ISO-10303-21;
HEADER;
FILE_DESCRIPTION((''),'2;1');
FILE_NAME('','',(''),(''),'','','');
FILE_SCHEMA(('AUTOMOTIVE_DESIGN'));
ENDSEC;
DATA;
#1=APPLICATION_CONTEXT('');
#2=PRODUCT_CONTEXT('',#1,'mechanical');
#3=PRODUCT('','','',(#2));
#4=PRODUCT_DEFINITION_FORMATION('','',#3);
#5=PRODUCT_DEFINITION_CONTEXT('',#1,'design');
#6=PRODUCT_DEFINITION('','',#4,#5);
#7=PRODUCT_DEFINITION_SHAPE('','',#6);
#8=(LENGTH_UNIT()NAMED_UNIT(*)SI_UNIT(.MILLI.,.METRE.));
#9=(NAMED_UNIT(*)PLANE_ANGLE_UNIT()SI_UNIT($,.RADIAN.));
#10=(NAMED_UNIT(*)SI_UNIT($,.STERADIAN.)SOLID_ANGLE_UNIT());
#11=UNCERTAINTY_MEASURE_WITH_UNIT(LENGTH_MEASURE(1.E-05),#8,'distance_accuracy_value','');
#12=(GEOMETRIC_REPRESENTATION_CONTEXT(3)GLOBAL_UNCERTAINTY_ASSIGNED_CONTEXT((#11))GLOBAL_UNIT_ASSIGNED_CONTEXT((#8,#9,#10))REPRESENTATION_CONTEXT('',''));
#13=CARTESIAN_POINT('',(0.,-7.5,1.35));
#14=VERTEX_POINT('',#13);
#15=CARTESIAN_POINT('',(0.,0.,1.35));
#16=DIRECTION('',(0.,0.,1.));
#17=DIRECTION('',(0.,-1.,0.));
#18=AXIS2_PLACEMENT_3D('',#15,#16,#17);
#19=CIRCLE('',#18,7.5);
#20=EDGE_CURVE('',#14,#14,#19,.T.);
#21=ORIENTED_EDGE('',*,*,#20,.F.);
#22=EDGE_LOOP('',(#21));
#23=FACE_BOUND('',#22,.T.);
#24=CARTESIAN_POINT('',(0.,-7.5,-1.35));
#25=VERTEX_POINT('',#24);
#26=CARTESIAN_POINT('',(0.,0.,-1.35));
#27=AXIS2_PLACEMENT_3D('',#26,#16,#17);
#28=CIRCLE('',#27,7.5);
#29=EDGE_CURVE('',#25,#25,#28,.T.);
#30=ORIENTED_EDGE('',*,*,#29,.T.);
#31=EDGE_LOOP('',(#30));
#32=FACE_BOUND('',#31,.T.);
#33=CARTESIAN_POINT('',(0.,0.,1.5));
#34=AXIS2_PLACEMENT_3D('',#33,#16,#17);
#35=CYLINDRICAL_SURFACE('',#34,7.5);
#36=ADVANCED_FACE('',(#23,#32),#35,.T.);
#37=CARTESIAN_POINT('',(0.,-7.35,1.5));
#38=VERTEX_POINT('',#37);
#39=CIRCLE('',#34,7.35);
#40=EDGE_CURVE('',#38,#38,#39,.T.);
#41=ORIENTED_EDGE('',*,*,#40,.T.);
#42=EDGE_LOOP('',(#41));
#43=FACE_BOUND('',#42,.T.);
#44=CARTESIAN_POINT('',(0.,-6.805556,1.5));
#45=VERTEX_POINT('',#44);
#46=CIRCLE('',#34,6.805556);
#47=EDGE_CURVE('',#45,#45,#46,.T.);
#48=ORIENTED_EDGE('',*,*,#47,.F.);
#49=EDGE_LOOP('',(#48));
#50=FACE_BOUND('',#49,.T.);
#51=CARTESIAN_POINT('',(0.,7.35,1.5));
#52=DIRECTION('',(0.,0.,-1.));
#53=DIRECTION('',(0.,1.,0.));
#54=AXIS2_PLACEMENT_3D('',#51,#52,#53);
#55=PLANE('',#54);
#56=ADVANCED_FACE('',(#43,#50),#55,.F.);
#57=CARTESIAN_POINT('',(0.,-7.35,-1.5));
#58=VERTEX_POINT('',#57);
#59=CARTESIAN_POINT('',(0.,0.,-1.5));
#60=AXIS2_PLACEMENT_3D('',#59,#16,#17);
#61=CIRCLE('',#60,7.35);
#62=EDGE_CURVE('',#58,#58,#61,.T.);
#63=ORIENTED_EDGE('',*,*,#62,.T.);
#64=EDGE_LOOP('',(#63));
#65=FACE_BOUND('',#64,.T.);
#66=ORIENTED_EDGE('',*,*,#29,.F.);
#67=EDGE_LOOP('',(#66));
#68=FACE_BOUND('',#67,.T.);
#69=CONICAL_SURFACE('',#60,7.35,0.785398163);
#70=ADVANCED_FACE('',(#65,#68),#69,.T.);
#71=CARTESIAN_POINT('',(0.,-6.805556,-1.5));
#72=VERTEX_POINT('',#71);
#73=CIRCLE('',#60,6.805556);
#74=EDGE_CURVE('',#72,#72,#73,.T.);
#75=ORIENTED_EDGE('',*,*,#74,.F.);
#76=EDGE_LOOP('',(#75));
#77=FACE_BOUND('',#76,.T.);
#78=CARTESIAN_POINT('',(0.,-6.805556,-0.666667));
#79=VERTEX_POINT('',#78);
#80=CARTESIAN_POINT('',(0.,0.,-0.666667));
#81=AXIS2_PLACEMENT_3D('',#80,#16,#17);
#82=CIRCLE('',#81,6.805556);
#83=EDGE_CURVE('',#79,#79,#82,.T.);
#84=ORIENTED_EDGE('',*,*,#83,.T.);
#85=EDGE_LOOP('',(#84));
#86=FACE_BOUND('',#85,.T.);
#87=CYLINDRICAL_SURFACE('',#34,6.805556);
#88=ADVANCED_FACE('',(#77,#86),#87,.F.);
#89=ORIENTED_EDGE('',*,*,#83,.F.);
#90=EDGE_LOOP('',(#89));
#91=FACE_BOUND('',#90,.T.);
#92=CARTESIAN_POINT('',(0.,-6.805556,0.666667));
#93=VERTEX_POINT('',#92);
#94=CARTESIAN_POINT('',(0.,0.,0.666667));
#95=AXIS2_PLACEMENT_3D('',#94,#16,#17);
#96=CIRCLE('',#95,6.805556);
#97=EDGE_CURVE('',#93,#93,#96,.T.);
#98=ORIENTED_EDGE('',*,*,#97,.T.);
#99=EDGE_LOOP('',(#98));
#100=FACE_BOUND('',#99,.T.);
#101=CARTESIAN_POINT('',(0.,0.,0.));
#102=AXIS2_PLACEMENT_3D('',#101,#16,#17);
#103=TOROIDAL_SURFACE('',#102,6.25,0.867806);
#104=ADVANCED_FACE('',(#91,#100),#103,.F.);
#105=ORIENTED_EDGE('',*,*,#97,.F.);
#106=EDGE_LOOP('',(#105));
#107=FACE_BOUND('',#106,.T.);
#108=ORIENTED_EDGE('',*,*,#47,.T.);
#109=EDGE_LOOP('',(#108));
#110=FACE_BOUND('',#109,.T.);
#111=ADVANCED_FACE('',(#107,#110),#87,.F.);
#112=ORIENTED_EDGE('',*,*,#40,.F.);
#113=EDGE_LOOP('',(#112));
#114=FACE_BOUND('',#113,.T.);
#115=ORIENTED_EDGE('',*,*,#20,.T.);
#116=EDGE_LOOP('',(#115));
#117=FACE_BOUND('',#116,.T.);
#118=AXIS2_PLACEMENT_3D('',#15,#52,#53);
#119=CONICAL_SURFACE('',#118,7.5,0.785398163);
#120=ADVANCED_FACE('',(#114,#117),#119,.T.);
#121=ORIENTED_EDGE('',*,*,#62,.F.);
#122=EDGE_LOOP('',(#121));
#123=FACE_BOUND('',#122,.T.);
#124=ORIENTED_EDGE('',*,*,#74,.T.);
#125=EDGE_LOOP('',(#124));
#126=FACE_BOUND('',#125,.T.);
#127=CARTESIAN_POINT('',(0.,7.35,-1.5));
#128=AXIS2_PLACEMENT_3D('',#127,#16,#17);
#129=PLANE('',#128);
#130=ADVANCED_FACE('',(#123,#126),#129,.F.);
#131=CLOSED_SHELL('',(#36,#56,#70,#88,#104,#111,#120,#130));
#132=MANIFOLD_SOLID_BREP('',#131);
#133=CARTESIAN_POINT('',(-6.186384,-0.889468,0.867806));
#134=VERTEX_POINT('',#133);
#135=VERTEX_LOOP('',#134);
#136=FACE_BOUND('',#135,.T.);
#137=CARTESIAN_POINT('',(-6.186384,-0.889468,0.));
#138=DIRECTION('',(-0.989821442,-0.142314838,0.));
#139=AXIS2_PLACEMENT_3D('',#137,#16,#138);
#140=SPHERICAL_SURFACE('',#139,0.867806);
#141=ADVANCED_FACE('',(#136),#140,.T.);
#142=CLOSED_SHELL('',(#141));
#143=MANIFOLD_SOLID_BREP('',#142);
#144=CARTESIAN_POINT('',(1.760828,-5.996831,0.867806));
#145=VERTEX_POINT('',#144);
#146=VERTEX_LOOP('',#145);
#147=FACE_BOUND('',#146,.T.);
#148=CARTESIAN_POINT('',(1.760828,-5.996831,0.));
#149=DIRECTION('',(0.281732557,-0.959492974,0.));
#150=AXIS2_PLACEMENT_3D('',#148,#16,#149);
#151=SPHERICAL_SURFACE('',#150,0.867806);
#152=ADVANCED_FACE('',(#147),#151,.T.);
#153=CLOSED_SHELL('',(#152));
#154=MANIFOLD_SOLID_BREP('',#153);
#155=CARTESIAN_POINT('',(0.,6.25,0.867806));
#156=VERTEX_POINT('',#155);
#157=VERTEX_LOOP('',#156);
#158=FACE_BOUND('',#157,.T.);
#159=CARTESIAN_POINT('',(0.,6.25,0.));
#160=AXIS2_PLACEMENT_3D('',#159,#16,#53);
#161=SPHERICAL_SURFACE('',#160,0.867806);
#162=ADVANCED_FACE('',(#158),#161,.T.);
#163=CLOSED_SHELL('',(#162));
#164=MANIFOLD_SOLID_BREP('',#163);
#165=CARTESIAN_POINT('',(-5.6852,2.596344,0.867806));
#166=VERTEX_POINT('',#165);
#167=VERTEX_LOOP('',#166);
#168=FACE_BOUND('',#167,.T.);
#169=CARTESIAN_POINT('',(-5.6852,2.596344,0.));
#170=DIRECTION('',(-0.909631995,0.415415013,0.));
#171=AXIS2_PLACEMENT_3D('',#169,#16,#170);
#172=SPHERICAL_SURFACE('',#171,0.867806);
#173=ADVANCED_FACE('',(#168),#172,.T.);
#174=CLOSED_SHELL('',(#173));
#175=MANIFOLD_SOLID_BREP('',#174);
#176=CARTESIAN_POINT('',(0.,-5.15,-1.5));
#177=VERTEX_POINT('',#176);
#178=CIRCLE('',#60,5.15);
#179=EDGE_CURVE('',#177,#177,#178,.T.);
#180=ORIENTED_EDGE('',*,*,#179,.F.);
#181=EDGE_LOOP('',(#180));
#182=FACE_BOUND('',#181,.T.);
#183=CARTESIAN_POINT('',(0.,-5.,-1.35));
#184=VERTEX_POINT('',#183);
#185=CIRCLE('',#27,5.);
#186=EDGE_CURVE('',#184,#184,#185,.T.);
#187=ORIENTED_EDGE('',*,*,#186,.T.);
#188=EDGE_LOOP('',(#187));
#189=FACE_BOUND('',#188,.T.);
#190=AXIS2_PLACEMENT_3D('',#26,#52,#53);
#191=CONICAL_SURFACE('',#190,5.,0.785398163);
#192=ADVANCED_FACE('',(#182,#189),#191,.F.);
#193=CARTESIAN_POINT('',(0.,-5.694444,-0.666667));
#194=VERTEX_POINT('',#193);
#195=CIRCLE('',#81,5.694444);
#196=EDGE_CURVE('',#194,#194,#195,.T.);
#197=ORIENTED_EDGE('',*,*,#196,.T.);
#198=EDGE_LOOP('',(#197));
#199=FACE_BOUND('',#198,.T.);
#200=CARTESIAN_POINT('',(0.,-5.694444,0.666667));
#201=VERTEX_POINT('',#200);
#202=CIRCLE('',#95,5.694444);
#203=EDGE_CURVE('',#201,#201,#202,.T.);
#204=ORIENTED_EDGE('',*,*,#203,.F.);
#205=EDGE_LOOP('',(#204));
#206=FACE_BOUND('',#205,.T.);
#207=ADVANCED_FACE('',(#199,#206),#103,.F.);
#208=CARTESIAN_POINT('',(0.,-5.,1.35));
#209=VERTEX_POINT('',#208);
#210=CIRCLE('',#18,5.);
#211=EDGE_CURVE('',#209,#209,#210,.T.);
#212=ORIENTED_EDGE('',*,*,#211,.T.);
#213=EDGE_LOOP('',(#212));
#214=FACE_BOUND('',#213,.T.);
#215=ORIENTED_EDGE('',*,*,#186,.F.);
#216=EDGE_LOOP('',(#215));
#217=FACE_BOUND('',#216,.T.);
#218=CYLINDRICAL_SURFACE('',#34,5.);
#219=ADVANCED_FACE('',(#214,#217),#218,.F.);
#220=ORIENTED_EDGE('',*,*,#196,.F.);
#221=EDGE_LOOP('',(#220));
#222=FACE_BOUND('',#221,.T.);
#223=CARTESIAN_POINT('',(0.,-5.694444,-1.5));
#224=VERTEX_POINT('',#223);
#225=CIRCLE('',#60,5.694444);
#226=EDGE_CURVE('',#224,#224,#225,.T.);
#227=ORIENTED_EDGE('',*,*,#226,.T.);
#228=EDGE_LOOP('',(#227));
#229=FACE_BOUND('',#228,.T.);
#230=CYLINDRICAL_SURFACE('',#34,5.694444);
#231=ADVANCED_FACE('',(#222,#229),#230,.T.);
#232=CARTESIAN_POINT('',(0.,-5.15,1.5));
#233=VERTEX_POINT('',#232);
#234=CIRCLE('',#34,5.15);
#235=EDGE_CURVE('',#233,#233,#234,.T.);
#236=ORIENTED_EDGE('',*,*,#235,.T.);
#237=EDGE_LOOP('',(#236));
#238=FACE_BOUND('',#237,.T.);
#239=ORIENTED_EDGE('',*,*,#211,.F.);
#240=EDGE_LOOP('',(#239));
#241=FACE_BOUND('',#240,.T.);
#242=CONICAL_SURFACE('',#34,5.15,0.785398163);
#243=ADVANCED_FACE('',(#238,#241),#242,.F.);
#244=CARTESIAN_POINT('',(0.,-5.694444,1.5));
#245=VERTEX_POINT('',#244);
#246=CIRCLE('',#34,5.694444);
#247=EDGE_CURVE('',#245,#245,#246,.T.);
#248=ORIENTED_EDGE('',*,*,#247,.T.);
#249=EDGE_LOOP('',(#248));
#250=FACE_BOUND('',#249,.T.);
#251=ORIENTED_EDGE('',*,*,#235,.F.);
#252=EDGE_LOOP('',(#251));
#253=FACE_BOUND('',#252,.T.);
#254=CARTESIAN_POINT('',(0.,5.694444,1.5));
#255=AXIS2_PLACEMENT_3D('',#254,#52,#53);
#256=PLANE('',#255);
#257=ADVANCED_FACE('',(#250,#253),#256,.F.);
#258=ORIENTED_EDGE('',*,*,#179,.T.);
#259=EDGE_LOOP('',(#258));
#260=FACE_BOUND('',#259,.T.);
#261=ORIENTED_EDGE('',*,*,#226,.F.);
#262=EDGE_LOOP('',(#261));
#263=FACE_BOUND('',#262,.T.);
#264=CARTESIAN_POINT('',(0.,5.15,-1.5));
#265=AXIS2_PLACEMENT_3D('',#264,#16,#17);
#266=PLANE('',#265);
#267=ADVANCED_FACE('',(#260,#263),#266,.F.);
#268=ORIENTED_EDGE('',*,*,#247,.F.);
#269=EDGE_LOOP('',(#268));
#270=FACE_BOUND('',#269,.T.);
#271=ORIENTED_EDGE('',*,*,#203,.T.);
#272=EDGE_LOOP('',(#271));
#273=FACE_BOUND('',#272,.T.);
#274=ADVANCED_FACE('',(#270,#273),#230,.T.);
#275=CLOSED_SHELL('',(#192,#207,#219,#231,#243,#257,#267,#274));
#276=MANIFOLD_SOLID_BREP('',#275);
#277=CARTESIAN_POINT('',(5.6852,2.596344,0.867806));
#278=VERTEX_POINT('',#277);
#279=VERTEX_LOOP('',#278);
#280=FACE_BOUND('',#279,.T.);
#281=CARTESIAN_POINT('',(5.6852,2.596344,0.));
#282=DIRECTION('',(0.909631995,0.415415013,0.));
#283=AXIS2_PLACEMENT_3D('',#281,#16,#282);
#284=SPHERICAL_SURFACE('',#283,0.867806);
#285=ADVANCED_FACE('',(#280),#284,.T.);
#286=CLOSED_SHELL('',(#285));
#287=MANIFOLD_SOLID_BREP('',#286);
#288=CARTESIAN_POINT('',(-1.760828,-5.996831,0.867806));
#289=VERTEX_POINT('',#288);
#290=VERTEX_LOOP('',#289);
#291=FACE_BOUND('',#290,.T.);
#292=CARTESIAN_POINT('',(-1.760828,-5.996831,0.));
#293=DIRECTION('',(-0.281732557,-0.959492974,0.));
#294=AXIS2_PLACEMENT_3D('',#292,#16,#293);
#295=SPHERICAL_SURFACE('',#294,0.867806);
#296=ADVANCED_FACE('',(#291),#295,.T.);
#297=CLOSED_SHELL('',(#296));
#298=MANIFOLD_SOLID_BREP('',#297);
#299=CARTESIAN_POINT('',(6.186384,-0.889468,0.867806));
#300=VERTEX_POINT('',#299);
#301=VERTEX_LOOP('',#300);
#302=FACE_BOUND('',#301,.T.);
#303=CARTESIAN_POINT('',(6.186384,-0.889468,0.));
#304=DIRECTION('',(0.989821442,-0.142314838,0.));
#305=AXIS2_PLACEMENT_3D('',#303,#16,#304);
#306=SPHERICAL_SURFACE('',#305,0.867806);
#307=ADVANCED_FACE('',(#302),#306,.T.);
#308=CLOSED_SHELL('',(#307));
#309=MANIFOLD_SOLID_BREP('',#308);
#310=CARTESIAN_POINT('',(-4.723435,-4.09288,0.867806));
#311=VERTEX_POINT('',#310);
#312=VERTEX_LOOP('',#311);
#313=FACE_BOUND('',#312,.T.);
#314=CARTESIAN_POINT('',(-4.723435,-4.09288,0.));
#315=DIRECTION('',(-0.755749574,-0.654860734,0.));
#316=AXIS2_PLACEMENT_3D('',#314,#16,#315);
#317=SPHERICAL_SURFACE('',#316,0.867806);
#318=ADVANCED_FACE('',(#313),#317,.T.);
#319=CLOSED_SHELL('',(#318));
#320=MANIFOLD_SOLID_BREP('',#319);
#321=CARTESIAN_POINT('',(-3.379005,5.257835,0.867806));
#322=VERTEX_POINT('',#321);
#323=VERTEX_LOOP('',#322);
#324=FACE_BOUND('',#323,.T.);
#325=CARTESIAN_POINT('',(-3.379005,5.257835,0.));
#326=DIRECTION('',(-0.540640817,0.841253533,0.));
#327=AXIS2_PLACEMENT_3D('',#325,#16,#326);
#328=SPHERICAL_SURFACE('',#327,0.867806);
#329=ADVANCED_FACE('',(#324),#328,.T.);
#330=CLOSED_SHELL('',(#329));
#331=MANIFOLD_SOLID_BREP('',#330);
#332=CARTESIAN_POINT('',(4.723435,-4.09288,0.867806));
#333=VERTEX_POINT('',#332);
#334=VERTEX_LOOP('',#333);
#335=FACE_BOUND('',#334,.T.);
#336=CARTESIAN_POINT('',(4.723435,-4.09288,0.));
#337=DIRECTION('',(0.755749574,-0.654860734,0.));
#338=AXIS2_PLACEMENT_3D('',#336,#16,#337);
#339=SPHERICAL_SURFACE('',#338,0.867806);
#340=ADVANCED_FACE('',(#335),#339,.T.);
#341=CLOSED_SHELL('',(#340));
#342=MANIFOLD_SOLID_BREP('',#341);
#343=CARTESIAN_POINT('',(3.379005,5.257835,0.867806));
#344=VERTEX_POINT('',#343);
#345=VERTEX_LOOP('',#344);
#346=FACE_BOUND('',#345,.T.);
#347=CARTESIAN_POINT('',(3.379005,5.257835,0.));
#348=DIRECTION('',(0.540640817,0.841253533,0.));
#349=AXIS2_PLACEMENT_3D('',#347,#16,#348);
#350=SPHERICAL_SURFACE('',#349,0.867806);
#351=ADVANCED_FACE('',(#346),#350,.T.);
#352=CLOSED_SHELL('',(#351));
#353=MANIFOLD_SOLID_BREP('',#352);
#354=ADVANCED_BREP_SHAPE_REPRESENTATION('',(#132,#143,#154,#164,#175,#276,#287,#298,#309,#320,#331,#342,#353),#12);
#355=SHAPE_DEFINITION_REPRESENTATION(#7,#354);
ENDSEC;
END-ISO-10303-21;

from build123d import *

# Parameters (mm, degrees)
CIRPATTERN1_COUNT = 11


with BuildPart() as part:
    # Sketch6 → Revolve5 (revolve)
    with BuildSketch(Plane(origin=(0, 0, 0), x_dir=(0, 0, -1), z_dir=(1, 0, 0)), mode=Mode.PRIVATE) as revolve5_sk:
        with BuildLine():
            Line((1.35, 7.5), (1.5, 7.35))
            Line((1.5, 7.35), (1.5, 6.805555556))
            Line((1.5, 6.805555556), (0.666666667, 6.805555556))
            ThreePointArc((0.666666667, 6.805555556), (0, 7.11780552), (-0.666666667, 6.805555556))
            Line((-0.666666667, 6.805555556), (-1.5, 6.805555556))
            Line((-1.5, 6.805555556), (-1.5, 7.35))
            Line((-1.5, 7.35), (-1.35, 7.5))
            Line((-1.35, 7.5), (1.35, 7.5))
        make_face()
    revolve(revolve5_sk.sketch.rotate(Axis((0, 0, 1.5), (0, 0, -1)), 180), axis=Axis((0, 0, 1.5), (0, 0, -1)))


with BuildPart() as body_2:
    # Sketch3 → Revolve3 (revolve)
    with BuildSketch(Plane(origin=(0, 0, 0), x_dir=(0, 0, -1), z_dir=(1, 0, 0)), mode=Mode.PRIVATE) as revolve3_sk:
        with BuildLine():
            Line((-1.5, 5.694444444), (-0.666666667, 5.694444444))
            ThreePointArc((-0.666666667, 5.694444444), (0, 5.38219448), (0.666666667, 5.694444444))
            Line((0.666666667, 5.694444444), (1.5, 5.694444444))
            Line((1.5, 5.694444444), (1.5, 5.15))
            Line((1.5, 5.15), (1.35, 5))
            Line((1.35, 5), (-1.35, 5))
            Line((-1.35, 5), (-1.5, 5.15))
            Line((-1.5, 5.15), (-1.5, 5.694444444))
        make_face()
    revolve(revolve3_sk.sketch.rotate(Axis((0, 0, 1.5), (0, 0, -1)), 180), axis=Axis((0, 0, 1.5), (0, 0, -1)))


with BuildPart() as body_3:
    # Sketch4 → Revolve4 (revolve)
    with BuildSketch(Plane(origin=(0, 0, 0), x_dir=(0, 0, -1), z_dir=(1, 0, 0))):
        with BuildLine():
            Line((-0.86780552, 6.25), (0.86780552, 6.25))
            ThreePointArc((0.86780552, 6.25), (0, 7.11780552), (-0.86780552, 6.25))
        make_face()
    revolve(axis=Axis((0, 6.25, 0.86780552), (0, 0, -1)))


with BuildPart() as cirpattern1_1:
    # CirPattern1: pattern copy
    add(body_3.part.rotate(Axis((0, 0, 0), (0, 0, 1)), 1 * 360 / CIRPATTERN1_COUNT))


with BuildPart() as cirpattern1_2:
    # CirPattern1: pattern copy
    add(body_3.part.rotate(Axis((0, 0, 0), (0, 0, 1)), 2 * 360 / CIRPATTERN1_COUNT))


with BuildPart() as cirpattern1_3:
    # CirPattern1: pattern copy
    add(body_3.part.rotate(Axis((0, 0, 0), (0, 0, 1)), 3 * 360 / CIRPATTERN1_COUNT))


with BuildPart() as cirpattern1_4:
    # CirPattern1: pattern copy
    add(body_3.part.rotate(Axis((0, 0, 0), (0, 0, 1)), 4 * 360 / CIRPATTERN1_COUNT))


with BuildPart() as cirpattern1_5:
    # CirPattern1: pattern copy
    add(body_3.part.rotate(Axis((0, 0, 0), (0, 0, 1)), 5 * 360 / CIRPATTERN1_COUNT))


with BuildPart() as cirpattern1_6:
    # CirPattern1: pattern copy
    add(body_3.part.rotate(Axis((0, 0, 0), (0, 0, 1)), 6 * 360 / CIRPATTERN1_COUNT))


with BuildPart() as cirpattern1_7:
    # CirPattern1: pattern copy
    add(body_3.part.rotate(Axis((0, 0, 0), (0, 0, 1)), 7 * 360 / CIRPATTERN1_COUNT))


with BuildPart() as cirpattern1_8:
    # CirPattern1: pattern copy
    add(body_3.part.rotate(Axis((0, 0, 0), (0, 0, 1)), 8 * 360 / CIRPATTERN1_COUNT))


with BuildPart() as cirpattern1_9:
    # CirPattern1: pattern copy
    add(body_3.part.rotate(Axis((0, 0, 0), (0, 0, 1)), 9 * 360 / CIRPATTERN1_COUNT))


with BuildPart() as cirpattern1_10:
    # CirPattern1: pattern copy
    add(body_3.part.rotate(Axis((0, 0, 0), (0, 0, 1)), 10 * 360 / CIRPATTERN1_COUNT))


solid = Compound([part.part, body_2.part, body_3.part, cirpattern1_1.part, cirpattern1_2.part, cirpattern1_3.part, cirpattern1_4.part, cirpattern1_5.part, cirpattern1_6.part, cirpattern1_7.part, cirpattern1_8.part, cirpattern1_9.part, cirpattern1_10.part])
